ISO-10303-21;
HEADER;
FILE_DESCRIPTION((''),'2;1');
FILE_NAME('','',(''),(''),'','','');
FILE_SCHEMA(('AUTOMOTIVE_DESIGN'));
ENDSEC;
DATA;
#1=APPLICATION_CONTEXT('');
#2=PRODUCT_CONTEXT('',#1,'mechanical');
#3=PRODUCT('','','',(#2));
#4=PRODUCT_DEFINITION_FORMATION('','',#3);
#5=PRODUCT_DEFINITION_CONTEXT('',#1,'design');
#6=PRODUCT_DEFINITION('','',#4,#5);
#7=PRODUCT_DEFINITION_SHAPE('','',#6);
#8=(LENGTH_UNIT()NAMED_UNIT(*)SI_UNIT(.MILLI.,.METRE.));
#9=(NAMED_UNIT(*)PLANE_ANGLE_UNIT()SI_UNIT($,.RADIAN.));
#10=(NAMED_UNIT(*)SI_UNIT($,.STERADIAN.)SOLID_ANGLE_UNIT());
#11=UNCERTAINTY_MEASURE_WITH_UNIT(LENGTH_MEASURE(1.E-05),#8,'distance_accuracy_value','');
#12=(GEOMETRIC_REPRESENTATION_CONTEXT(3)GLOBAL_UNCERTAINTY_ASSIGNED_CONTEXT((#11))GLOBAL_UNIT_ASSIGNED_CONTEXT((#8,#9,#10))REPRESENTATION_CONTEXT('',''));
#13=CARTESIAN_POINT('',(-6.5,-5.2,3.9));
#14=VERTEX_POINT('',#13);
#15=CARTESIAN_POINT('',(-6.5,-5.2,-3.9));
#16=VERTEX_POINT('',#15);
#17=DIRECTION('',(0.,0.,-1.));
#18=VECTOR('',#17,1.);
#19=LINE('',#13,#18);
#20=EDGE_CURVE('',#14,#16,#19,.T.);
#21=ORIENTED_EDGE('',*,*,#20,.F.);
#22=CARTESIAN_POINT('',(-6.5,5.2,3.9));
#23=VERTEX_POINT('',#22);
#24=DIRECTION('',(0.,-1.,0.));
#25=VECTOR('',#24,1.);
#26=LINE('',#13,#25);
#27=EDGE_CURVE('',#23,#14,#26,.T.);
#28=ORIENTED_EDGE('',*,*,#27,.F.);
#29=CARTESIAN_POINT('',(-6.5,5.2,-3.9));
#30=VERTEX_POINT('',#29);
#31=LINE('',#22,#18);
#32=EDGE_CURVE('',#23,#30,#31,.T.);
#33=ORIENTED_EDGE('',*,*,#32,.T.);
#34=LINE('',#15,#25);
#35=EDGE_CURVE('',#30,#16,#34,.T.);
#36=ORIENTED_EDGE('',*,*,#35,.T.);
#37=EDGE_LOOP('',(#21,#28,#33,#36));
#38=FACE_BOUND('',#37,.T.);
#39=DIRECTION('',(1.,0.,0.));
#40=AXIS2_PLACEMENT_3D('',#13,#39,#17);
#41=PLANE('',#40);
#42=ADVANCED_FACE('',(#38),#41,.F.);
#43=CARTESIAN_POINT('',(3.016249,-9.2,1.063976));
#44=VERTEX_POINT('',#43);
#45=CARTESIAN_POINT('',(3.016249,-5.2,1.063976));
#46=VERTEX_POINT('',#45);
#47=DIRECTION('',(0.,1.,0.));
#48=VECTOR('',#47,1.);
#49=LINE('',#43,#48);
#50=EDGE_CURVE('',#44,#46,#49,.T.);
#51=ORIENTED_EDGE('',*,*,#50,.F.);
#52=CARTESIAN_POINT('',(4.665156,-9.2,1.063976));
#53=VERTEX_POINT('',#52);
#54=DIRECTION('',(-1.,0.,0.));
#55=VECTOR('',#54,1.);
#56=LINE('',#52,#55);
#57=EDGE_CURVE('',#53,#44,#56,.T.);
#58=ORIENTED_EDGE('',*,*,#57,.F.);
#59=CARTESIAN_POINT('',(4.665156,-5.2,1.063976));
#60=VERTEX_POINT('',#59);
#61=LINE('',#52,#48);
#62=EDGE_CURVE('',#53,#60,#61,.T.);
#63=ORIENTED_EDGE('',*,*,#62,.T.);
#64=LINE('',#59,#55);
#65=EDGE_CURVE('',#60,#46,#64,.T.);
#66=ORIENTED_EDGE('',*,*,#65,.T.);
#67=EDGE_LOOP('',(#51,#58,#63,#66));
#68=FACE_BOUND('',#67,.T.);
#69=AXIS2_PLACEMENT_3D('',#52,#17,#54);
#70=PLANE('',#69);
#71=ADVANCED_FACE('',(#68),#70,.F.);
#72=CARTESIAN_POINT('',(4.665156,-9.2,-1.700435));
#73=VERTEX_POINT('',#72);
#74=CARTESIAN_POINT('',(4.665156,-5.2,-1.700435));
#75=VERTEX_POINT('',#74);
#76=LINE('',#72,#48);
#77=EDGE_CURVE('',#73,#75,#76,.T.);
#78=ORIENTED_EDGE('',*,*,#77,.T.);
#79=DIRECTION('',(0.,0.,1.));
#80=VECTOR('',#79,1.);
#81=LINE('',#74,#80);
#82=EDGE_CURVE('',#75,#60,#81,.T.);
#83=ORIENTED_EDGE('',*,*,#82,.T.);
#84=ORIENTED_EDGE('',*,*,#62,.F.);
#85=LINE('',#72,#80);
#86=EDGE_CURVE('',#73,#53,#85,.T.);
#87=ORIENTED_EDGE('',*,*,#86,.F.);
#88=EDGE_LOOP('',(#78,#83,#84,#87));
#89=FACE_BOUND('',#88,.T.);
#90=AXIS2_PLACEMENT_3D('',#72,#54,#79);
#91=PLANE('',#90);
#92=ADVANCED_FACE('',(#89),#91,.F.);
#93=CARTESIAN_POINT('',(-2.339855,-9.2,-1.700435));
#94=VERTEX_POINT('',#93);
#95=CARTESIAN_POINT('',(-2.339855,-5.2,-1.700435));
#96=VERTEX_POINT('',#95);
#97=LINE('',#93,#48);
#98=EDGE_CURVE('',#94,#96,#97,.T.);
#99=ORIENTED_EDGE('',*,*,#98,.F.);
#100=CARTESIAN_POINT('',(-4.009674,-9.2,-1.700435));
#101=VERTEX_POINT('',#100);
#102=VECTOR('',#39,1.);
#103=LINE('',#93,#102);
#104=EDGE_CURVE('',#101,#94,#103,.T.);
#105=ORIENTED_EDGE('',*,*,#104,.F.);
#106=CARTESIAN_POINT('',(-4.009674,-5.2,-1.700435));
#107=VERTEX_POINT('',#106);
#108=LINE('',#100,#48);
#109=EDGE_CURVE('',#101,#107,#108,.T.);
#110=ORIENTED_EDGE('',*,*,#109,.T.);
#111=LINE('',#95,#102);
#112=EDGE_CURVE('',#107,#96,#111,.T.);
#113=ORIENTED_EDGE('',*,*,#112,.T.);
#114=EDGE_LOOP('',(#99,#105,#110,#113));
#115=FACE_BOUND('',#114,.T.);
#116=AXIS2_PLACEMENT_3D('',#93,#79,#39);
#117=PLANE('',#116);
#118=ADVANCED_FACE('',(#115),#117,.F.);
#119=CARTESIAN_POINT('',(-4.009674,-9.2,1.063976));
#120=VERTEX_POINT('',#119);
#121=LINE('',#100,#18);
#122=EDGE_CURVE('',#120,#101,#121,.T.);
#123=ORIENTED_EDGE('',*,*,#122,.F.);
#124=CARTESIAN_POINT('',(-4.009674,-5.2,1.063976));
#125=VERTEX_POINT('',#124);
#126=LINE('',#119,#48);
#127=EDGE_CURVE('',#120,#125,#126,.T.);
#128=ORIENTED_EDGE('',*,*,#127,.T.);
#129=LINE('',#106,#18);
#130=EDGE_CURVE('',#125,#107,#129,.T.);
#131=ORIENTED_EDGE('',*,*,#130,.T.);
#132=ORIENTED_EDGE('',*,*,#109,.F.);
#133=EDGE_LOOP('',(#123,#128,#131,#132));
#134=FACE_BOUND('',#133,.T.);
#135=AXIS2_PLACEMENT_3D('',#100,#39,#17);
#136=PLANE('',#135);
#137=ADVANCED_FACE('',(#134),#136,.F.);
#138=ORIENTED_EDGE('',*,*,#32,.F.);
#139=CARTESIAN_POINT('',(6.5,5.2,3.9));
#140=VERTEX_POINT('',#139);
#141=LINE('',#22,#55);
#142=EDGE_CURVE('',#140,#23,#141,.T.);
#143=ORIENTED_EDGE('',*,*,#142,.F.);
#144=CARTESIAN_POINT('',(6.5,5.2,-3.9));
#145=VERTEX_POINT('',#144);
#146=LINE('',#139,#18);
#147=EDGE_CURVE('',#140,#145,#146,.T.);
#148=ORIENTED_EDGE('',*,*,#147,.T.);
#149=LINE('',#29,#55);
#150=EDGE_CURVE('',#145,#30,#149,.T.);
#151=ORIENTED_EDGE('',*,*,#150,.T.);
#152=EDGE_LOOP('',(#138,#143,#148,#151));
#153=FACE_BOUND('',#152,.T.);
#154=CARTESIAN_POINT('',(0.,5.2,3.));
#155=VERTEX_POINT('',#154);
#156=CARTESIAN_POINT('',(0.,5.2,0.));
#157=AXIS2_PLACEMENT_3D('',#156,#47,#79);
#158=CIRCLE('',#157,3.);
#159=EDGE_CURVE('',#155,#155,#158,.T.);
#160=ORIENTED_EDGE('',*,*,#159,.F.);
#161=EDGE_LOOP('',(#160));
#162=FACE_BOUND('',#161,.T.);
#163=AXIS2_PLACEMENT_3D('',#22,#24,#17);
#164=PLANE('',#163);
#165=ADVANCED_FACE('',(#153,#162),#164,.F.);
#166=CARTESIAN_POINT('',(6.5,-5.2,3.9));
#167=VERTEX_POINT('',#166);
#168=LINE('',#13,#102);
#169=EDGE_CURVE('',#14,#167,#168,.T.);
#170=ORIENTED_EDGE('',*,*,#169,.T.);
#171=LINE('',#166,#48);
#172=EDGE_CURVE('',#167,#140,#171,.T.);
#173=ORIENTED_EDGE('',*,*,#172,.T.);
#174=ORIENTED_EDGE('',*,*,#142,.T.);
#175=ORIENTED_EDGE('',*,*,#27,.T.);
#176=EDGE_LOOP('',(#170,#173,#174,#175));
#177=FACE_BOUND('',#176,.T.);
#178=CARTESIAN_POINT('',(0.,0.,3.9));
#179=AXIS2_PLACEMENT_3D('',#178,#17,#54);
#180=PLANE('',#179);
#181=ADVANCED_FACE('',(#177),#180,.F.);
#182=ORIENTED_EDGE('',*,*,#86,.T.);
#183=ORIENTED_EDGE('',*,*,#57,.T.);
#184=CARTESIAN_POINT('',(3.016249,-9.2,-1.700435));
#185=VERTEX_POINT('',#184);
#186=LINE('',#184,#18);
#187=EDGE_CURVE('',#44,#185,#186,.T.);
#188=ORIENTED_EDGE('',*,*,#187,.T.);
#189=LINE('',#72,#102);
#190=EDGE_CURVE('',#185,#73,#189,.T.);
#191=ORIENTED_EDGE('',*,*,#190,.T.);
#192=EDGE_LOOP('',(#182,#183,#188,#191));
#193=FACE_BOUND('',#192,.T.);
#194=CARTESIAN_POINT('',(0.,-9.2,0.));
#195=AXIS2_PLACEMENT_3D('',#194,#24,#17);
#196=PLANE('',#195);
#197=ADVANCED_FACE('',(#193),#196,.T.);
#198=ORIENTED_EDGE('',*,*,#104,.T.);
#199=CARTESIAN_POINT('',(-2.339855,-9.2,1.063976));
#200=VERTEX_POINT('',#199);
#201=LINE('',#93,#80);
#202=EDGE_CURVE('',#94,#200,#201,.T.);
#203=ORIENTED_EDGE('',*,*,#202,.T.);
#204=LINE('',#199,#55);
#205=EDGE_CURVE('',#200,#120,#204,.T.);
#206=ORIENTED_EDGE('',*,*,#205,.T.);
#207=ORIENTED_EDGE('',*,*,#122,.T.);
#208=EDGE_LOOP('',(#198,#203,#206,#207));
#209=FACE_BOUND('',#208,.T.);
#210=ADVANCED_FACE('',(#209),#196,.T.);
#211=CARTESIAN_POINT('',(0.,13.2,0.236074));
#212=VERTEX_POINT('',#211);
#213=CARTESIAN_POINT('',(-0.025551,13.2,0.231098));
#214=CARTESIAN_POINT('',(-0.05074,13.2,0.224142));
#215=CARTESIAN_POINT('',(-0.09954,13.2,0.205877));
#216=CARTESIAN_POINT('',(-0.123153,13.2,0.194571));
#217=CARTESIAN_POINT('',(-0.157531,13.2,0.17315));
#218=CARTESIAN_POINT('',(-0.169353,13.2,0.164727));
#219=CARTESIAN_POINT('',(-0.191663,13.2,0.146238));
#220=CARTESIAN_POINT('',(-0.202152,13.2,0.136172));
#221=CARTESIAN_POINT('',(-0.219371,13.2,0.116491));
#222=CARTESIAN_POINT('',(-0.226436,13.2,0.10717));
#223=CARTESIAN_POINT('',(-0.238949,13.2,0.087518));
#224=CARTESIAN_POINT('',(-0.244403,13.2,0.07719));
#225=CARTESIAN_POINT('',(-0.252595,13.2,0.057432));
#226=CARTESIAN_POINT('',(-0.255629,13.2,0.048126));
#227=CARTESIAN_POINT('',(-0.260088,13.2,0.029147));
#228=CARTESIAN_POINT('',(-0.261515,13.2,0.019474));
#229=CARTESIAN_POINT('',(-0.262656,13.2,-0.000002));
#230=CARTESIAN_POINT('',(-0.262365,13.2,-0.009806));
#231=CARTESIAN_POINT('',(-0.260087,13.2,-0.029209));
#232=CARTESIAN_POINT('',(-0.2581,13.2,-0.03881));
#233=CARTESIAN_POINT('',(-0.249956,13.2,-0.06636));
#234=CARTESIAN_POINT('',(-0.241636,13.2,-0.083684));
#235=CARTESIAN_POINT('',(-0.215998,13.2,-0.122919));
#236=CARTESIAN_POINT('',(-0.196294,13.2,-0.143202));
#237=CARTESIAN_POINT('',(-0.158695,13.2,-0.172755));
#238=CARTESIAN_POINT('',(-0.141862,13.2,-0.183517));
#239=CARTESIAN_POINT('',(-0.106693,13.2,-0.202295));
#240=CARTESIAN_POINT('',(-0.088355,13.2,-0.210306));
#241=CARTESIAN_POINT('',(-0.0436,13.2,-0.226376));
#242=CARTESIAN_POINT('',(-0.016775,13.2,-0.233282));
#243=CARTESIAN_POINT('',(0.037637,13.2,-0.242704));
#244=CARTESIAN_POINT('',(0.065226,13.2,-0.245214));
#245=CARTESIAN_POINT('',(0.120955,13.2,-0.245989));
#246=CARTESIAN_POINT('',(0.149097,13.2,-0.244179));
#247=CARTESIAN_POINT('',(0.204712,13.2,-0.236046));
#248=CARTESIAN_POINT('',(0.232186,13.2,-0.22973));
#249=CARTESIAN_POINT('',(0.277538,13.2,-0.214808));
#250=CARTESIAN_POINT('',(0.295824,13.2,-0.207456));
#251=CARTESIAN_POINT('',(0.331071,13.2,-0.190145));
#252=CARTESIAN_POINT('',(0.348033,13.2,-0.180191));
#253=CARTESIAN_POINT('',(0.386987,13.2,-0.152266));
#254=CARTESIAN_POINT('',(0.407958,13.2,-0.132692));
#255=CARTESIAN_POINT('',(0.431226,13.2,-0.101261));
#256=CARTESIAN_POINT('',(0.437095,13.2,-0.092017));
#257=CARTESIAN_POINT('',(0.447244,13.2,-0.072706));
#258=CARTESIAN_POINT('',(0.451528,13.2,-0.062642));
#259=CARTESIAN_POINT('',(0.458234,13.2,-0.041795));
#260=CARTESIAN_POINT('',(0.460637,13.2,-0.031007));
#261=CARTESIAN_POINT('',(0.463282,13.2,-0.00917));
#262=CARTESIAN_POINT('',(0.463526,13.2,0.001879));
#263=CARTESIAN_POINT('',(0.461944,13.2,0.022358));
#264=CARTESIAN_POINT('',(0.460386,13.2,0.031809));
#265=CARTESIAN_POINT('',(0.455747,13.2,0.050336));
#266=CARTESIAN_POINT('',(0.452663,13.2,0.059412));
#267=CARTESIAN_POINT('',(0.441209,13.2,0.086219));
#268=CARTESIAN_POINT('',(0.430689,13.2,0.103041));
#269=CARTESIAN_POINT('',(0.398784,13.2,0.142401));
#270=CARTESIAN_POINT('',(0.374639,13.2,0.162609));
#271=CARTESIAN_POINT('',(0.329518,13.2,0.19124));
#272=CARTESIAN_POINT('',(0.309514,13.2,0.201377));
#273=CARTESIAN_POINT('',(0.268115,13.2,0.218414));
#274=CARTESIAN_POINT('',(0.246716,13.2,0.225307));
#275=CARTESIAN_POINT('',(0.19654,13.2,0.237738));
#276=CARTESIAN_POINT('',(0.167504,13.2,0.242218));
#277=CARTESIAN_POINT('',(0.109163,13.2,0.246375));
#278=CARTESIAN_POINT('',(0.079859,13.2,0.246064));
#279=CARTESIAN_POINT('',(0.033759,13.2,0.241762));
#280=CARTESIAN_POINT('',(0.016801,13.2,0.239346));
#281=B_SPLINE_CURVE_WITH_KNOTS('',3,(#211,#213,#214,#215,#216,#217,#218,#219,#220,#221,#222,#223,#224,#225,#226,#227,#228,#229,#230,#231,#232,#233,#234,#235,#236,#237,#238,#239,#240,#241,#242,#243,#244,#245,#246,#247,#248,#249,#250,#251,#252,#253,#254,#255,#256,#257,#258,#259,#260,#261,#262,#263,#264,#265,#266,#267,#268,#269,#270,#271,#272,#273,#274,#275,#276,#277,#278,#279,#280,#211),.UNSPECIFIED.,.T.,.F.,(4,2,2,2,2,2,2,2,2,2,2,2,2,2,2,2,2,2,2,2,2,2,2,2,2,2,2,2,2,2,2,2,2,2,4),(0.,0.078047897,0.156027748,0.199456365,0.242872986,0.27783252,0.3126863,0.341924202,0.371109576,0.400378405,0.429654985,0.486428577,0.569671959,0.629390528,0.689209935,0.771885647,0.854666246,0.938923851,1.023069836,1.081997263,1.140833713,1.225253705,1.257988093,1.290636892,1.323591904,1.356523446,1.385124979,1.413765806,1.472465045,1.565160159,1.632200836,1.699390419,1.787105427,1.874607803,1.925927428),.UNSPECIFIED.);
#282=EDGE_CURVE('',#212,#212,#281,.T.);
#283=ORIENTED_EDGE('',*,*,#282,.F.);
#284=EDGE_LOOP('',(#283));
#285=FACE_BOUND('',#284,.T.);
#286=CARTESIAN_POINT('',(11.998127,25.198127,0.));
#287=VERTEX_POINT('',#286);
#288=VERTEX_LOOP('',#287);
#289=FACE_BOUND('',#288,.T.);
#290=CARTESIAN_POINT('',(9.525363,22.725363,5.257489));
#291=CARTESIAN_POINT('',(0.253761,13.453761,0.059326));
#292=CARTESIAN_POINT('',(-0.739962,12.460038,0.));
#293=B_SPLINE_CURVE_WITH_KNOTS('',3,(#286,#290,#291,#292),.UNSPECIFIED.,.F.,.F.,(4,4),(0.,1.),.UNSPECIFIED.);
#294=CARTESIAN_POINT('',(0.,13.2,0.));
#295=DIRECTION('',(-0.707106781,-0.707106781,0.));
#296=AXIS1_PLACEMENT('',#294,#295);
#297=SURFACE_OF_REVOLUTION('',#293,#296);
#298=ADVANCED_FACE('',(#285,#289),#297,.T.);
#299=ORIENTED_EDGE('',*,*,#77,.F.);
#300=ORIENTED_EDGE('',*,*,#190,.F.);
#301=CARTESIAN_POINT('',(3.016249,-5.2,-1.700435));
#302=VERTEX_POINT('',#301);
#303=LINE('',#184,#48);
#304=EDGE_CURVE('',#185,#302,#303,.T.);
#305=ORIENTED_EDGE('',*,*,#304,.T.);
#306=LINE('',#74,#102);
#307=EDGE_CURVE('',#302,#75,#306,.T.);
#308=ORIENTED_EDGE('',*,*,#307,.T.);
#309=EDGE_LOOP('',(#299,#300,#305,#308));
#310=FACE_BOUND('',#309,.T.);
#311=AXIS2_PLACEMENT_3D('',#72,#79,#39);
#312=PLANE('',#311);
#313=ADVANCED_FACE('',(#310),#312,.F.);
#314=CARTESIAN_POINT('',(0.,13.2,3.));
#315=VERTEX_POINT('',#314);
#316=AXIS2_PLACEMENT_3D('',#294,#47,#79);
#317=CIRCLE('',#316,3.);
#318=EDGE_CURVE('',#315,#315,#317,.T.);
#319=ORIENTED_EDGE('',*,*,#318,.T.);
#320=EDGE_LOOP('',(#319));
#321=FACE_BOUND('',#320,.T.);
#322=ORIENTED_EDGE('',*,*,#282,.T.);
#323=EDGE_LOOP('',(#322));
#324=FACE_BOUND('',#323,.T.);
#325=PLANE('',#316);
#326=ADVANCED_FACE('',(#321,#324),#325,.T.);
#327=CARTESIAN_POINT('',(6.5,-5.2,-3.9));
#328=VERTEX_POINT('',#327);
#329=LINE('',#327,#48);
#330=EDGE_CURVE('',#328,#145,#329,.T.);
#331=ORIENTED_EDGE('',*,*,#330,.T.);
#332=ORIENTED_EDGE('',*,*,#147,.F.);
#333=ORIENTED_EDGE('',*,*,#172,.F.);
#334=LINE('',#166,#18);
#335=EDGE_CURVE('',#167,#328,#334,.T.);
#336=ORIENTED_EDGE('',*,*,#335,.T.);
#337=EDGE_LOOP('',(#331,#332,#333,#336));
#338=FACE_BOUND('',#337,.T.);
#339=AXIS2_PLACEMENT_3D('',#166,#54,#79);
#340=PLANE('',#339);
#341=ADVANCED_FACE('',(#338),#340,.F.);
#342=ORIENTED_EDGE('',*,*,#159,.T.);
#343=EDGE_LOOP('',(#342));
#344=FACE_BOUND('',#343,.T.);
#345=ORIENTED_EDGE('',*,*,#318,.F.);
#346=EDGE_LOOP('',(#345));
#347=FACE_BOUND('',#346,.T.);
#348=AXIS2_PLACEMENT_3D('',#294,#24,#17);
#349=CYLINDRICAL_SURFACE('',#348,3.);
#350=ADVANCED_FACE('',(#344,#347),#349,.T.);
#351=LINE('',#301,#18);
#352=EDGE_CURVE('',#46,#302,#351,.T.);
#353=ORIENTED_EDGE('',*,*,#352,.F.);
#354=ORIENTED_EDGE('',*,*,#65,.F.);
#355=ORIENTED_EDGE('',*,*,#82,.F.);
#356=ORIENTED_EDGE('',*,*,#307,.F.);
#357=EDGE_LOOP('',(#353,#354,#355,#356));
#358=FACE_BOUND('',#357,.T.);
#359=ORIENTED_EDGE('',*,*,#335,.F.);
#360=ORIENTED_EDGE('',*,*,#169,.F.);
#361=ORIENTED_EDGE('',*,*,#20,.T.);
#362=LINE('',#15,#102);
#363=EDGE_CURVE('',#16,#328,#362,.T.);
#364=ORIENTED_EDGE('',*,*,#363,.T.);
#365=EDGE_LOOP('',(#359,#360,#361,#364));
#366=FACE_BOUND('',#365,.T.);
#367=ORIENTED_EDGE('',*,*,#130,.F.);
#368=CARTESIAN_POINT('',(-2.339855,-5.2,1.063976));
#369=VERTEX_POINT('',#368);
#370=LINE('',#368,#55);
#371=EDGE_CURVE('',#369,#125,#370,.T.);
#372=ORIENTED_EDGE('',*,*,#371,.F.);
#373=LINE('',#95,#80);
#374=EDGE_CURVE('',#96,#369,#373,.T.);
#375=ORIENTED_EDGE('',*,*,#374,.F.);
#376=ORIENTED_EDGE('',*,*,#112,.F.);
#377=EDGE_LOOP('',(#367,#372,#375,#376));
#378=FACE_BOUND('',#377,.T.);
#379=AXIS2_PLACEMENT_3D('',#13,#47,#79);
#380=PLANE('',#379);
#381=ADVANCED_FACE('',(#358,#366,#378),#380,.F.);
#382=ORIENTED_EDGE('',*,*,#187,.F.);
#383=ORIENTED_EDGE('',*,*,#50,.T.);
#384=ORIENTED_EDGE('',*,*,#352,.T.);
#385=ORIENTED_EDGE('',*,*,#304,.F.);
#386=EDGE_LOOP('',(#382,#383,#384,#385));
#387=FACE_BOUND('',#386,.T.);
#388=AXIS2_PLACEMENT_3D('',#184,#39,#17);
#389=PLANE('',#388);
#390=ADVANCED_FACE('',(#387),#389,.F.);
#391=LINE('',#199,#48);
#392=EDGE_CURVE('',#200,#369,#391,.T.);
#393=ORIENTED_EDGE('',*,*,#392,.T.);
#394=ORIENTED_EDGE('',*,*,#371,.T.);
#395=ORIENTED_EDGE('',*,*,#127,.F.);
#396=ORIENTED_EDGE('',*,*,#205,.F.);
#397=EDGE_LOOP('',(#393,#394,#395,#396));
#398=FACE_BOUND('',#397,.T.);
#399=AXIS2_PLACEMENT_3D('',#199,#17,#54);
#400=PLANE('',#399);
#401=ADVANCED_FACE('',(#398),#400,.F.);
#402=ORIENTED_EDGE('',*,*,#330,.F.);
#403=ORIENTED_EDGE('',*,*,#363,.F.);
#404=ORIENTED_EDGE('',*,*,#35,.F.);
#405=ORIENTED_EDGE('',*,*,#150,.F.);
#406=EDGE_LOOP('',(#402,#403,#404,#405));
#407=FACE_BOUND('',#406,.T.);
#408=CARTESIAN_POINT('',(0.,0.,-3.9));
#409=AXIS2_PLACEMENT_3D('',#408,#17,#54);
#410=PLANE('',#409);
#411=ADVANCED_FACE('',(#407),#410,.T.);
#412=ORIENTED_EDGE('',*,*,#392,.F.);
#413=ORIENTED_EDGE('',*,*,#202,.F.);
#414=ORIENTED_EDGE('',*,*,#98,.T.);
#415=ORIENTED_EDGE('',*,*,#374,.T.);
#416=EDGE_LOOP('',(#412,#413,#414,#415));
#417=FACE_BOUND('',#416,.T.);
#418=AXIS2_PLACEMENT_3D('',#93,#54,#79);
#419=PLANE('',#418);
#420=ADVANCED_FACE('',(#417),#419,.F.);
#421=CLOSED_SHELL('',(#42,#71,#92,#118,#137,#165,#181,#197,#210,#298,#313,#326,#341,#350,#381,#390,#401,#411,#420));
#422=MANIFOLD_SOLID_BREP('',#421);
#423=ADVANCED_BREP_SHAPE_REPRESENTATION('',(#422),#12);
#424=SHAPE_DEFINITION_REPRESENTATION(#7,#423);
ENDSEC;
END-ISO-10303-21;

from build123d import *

# Parameters (mm, degrees)
SKETCH3_W           = 13
SKETCH3_H           = 10.4
BOSS_EXTRUDE1_DEPTH = 3.9
SKETCH4_R           = 3
BOSS_EXTRUDE2_DEPTH = 8
SKETCH6_W           = 1.669818936
SKETCH6_H           = 2.764411597
SKETCH6_W_2         = 1.648906897
BOSS_EXTRUDE3_DEPTH = 4


with BuildPart() as part:
    # Sketch3 → Boss-Extrude1 (new, symmetric)
    with BuildSketch(Plane.XY):
        Rectangle(SKETCH3_W, SKETCH3_H)
    extrude(amount=BOSS_EXTRUDE1_DEPTH, both=True)

    # Sketch4 → Boss-Extrude2 (add)
    with BuildSketch(Plane(origin=(0, 5.2, 0), x_dir=(1, 0, 0), z_dir=(0, 1, 0))):
        with Locations(Location((0, 0, 0), (0, 0, 270))):
            Circle(SKETCH4_R)
    extrude(amount=BOSS_EXTRUDE2_DEPTH)

    # Sketch5 → Revolve1 (revolve)
    with BuildSketch(Plane(origin=(-6.6, 6.6, 0), x_dir=(-0.7071067811865477, -0.7071067811865475, 0), z_dir=(0.7071067811865475, -0.7071067811865477, 0))):
        with BuildLine():
            Line((-26.301723622, 0), (-8.28734559, 0))
            add(Edge.make_bspline(
                [(-8.28734559, 0), (-9.692681087, -0.059325573), (-22.80470737, -5.257488567), (-26.301723622, 0)],
                knots=[0, 0, 0, 0, 1, 1, 1, 1], degree=3))
        make_face()
    revolve(axis=Axis((0, 13.2, 0), (0.7071067811865477, 0.7071067811865474, 0)))

    # Sketch6 → Boss-Extrude3 (add)
    with BuildSketch(Plane.XZ.offset(5.2)):
        with Locations((-3.174764559, -0.318229702)):
            Rectangle(SKETCH6_W, SKETCH6_H)
        with Locations((3.840702157, -0.318229702)):
            Rectangle(SKETCH6_W_2, SKETCH6_H)
    extrude(amount=BOSS_EXTRUDE3_DEPTH)


solid = part.part
